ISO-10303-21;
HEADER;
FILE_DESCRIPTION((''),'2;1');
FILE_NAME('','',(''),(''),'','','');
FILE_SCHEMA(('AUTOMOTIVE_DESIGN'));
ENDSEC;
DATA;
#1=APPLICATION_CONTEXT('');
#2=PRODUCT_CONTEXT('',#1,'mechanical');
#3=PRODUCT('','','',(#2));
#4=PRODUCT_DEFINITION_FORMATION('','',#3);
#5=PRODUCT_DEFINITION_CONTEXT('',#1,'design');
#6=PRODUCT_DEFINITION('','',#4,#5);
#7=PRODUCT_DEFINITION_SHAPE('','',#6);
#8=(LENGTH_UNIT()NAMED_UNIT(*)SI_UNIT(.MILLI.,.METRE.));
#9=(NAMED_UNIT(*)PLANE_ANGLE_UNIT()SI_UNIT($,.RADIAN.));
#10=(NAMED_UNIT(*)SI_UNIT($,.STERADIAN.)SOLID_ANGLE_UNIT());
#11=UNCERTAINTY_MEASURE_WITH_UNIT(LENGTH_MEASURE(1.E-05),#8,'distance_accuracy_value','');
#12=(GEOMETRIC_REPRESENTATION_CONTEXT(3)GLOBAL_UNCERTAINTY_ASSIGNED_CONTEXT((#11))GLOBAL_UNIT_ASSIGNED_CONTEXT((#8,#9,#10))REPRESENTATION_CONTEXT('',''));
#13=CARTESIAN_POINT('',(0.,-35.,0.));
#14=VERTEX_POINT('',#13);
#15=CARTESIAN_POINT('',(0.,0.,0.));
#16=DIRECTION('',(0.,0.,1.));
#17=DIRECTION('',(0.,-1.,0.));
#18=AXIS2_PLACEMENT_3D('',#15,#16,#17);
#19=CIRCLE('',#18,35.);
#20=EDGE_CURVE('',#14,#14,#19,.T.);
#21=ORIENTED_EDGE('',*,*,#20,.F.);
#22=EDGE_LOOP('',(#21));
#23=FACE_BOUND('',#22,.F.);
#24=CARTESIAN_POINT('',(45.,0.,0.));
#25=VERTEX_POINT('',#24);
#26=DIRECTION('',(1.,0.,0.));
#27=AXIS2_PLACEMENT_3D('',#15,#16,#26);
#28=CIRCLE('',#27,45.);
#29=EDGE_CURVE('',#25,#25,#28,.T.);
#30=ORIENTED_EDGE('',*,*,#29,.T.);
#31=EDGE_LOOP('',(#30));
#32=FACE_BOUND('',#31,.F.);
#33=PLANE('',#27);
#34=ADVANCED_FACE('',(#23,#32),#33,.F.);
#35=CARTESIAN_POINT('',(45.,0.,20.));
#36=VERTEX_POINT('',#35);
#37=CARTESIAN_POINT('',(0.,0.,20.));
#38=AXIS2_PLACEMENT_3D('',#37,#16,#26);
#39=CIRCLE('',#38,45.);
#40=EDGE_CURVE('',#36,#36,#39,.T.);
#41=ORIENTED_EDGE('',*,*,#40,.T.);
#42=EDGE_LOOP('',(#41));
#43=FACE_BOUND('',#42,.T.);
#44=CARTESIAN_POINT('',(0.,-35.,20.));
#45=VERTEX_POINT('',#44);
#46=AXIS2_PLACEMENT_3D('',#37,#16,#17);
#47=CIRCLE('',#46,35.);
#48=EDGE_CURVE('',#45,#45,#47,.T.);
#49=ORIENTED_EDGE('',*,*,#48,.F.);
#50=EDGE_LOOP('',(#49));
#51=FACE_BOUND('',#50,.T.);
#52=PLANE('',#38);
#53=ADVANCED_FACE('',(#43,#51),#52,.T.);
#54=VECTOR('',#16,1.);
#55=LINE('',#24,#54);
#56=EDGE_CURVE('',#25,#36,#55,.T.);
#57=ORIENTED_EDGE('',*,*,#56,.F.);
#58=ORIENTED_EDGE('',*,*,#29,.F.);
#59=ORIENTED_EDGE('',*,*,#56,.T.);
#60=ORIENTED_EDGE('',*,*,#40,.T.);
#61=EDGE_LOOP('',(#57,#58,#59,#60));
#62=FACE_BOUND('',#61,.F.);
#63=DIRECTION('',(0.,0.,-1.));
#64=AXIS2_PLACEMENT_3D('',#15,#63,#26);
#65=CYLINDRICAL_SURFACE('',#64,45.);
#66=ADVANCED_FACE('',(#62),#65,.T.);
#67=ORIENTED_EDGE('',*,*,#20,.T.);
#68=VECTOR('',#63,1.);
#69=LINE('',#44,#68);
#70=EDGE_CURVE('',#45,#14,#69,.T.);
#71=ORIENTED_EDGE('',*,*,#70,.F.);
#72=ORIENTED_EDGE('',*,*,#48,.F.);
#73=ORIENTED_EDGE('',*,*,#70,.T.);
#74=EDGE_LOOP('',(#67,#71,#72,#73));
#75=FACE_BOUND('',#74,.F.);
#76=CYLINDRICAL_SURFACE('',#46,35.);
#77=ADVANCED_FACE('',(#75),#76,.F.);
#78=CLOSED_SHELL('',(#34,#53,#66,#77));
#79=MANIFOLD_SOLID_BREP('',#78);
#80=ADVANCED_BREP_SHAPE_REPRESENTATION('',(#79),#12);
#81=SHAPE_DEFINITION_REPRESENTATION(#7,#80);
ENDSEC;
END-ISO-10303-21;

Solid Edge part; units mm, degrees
sketch "Sketch1" plane through (0, 0, 0) normal (0, 0, 1) x (1, 0, 0)
  circle A0 centre (0, 0) radius 45
extrude "Protrusion1" add sketch "Sketch1" along normal blind 20
sketch "Sketch2" plane through (0, 0, 20) normal (0, 0, 1) x (0, -1, 0)
  circle A0 centre (0, 0) radius 35
extrude "Cutout1" cut sketch "Sketch2" against normal blind 20
cosmetic_thread "Thread1" size "M70"
properties material "Steel - Stainless:1.4301 , X5CrNi18-10"
